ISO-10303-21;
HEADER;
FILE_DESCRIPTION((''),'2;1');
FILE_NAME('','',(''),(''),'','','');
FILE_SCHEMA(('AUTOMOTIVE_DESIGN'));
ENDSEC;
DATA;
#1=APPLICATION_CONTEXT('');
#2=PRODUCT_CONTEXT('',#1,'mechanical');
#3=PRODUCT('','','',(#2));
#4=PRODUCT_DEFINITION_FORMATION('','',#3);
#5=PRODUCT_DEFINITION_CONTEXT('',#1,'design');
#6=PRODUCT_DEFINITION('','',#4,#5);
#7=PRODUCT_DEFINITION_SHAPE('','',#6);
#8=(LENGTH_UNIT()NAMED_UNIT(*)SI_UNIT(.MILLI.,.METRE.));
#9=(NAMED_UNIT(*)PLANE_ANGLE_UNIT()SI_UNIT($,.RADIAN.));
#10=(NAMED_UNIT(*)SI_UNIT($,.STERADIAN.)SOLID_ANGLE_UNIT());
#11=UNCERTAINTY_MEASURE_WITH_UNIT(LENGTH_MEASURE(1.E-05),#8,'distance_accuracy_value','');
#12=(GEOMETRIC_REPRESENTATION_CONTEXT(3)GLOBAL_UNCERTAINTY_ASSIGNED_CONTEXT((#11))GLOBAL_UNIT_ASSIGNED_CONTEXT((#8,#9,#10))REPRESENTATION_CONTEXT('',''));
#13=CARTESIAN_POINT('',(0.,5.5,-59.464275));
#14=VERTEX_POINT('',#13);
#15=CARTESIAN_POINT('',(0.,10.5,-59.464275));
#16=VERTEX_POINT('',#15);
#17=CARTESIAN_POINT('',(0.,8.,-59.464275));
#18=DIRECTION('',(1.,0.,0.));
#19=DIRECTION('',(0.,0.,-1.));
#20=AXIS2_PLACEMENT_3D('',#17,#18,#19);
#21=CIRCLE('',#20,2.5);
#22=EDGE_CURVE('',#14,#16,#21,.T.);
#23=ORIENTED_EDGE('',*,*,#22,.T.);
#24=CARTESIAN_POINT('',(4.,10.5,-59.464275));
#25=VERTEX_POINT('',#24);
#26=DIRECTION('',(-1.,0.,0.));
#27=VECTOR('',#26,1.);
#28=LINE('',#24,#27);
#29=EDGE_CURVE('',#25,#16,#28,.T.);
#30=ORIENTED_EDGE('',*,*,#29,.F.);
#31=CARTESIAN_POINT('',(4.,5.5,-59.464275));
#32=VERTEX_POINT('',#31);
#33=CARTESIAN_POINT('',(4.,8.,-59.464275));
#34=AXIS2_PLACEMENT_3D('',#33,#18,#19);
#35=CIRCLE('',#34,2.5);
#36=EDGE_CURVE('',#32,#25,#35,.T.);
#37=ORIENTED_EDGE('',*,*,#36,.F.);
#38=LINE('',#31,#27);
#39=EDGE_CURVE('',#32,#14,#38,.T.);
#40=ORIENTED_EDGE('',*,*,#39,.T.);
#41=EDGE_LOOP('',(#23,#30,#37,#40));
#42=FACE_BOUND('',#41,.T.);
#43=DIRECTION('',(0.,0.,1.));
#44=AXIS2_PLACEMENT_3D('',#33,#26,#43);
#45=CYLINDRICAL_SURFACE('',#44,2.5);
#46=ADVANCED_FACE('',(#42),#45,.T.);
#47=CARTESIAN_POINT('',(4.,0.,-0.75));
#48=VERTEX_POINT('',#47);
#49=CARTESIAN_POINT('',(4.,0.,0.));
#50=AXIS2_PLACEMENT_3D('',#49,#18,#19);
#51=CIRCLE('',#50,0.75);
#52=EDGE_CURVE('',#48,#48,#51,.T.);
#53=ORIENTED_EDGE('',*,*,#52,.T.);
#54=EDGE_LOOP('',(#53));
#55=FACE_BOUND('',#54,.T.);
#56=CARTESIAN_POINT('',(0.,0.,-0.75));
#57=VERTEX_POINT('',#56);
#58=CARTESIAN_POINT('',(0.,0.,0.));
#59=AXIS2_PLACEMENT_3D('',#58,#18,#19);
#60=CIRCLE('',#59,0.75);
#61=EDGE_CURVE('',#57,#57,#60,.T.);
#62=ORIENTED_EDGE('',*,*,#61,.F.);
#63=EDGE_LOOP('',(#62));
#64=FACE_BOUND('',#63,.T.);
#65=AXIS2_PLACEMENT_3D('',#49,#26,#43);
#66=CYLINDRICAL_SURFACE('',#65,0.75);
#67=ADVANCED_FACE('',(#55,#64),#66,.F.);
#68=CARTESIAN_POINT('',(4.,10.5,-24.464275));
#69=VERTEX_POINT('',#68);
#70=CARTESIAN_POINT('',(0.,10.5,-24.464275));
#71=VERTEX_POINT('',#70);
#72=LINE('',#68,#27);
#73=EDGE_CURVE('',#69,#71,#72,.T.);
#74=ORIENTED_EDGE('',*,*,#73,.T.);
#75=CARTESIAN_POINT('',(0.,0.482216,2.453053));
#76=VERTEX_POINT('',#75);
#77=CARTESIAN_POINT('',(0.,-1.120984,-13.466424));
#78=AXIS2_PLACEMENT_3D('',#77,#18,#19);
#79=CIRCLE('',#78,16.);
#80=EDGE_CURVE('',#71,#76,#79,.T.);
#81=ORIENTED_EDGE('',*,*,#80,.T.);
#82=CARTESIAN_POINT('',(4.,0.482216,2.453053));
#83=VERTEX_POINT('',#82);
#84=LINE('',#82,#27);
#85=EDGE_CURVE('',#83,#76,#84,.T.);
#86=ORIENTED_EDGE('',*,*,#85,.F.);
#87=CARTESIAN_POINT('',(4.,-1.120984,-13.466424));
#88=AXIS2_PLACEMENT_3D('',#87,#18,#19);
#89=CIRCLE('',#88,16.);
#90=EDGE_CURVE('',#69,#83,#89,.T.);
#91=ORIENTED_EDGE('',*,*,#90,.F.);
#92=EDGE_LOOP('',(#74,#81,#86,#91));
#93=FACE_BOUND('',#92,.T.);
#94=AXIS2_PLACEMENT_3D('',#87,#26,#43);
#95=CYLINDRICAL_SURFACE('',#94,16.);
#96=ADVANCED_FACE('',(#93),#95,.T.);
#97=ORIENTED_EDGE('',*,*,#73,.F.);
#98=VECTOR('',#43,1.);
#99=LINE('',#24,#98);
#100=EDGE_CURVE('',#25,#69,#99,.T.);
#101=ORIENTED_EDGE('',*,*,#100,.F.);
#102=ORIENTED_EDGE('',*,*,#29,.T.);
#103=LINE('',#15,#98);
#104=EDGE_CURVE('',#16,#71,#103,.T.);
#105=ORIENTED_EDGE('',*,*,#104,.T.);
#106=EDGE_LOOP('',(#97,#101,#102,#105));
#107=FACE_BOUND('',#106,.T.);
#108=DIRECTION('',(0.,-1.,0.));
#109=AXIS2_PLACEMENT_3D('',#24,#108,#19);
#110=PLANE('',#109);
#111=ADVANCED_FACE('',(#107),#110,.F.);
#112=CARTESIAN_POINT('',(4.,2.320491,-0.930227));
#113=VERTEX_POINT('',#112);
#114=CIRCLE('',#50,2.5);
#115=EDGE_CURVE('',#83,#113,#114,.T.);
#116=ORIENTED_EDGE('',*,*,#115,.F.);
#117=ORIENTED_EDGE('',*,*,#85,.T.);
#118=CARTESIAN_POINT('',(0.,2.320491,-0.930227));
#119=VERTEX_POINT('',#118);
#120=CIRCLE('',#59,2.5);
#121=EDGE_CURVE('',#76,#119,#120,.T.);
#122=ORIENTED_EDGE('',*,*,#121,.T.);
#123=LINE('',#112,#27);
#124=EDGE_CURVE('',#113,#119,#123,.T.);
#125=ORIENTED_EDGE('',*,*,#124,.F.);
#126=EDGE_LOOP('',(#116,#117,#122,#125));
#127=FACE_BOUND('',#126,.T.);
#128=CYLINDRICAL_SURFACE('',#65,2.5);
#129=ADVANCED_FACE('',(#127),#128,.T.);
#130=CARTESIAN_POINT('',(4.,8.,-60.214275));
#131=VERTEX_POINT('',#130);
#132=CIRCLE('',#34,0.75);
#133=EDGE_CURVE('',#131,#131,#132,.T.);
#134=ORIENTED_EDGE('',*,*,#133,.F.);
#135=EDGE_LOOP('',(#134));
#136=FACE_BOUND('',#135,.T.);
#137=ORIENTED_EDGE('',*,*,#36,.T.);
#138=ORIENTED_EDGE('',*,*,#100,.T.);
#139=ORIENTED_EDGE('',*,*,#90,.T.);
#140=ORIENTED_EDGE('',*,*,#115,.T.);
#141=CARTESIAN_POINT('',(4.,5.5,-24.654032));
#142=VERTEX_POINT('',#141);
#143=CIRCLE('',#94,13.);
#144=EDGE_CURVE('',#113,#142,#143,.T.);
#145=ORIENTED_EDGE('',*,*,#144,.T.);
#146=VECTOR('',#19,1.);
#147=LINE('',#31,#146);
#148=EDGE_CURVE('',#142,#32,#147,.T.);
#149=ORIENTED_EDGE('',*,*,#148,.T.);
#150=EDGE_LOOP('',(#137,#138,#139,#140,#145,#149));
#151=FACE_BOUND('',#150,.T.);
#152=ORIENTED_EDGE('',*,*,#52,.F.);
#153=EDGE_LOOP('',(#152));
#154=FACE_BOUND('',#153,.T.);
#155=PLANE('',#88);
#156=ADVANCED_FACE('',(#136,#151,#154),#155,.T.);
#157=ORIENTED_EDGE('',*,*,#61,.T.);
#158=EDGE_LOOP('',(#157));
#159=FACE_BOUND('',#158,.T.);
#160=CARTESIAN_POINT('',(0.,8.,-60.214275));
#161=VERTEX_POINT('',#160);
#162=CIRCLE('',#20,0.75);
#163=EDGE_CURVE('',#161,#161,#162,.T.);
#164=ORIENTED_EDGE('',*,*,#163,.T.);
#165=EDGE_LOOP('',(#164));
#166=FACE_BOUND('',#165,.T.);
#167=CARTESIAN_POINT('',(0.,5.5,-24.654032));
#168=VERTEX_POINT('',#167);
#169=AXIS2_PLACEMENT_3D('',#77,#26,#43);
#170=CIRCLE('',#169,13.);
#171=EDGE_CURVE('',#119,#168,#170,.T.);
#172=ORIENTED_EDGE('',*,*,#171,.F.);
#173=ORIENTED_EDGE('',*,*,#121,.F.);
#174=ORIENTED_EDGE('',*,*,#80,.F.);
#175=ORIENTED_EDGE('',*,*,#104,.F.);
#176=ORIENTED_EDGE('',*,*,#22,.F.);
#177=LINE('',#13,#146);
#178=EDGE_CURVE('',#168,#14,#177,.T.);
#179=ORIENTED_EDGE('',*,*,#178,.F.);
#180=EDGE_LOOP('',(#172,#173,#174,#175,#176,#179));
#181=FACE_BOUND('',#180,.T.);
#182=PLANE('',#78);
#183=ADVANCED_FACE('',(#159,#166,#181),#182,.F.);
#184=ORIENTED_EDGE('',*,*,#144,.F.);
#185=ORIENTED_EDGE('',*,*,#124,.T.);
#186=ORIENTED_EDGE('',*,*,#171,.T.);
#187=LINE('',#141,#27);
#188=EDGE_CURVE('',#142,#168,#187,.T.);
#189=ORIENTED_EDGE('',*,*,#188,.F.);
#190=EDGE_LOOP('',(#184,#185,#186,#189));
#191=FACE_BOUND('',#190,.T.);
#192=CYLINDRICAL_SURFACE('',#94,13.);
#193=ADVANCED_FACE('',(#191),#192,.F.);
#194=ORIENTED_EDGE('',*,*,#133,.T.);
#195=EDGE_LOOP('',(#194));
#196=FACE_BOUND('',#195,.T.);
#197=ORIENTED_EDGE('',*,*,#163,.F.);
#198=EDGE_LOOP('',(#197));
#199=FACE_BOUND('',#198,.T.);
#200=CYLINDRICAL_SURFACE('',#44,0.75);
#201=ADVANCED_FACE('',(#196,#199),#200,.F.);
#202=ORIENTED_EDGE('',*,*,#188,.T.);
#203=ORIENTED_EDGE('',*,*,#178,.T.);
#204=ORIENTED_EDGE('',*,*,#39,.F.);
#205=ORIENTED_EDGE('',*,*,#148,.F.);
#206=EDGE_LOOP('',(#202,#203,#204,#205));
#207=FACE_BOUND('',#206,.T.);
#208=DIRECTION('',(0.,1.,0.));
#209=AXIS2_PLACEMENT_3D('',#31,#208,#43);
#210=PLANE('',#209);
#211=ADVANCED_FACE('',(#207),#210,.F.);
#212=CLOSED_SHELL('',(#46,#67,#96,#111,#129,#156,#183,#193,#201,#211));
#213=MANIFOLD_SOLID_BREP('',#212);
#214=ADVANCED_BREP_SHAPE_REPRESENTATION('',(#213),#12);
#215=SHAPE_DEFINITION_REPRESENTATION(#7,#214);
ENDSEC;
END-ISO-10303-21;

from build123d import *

# Parameters (mm, degrees)
SKETCH1_R           = 0.75
BOSS_EXTRUDE1_DEPTH = 4


with BuildPart() as part:
    # Sketch1 → Boss-Extrude1 (new body)
    with BuildSketch(Plane(origin=(0, 0, 0), x_dir=(0, 0, -1), z_dir=(1, 0, 0))):
        with BuildLine():
            Line((59.464274989, 10.5), (24.464274989, 10.5))
            ThreePointArc((24.464274989, 10.5), (7.885689727, 13.874194792), (-2.453052661, 0.482216385))
            ThreePointArc((-2.453052661, 0.482216385), (1.193550555, -2.19668775), (0.930226833, 2.320490905))
            ThreePointArc((0.930226833, 2.320490905), (11.73957945, 11.763813024), (24.654031937, 5.5))
            Line((24.654031937, 5.5), (59.464274989, 5.5))
            ThreePointArc((59.464274989, 5.5), (61.964274989, 8), (59.464274989, 10.5))
        make_face()
        with Locations((59.464274989, 8)):
            Circle(SKETCH1_R, mode=Mode.SUBTRACT)
        Circle(SKETCH1_R, mode=Mode.SUBTRACT)
    extrude(amount=BOSS_EXTRUDE1_DEPTH)


solid = part.part
